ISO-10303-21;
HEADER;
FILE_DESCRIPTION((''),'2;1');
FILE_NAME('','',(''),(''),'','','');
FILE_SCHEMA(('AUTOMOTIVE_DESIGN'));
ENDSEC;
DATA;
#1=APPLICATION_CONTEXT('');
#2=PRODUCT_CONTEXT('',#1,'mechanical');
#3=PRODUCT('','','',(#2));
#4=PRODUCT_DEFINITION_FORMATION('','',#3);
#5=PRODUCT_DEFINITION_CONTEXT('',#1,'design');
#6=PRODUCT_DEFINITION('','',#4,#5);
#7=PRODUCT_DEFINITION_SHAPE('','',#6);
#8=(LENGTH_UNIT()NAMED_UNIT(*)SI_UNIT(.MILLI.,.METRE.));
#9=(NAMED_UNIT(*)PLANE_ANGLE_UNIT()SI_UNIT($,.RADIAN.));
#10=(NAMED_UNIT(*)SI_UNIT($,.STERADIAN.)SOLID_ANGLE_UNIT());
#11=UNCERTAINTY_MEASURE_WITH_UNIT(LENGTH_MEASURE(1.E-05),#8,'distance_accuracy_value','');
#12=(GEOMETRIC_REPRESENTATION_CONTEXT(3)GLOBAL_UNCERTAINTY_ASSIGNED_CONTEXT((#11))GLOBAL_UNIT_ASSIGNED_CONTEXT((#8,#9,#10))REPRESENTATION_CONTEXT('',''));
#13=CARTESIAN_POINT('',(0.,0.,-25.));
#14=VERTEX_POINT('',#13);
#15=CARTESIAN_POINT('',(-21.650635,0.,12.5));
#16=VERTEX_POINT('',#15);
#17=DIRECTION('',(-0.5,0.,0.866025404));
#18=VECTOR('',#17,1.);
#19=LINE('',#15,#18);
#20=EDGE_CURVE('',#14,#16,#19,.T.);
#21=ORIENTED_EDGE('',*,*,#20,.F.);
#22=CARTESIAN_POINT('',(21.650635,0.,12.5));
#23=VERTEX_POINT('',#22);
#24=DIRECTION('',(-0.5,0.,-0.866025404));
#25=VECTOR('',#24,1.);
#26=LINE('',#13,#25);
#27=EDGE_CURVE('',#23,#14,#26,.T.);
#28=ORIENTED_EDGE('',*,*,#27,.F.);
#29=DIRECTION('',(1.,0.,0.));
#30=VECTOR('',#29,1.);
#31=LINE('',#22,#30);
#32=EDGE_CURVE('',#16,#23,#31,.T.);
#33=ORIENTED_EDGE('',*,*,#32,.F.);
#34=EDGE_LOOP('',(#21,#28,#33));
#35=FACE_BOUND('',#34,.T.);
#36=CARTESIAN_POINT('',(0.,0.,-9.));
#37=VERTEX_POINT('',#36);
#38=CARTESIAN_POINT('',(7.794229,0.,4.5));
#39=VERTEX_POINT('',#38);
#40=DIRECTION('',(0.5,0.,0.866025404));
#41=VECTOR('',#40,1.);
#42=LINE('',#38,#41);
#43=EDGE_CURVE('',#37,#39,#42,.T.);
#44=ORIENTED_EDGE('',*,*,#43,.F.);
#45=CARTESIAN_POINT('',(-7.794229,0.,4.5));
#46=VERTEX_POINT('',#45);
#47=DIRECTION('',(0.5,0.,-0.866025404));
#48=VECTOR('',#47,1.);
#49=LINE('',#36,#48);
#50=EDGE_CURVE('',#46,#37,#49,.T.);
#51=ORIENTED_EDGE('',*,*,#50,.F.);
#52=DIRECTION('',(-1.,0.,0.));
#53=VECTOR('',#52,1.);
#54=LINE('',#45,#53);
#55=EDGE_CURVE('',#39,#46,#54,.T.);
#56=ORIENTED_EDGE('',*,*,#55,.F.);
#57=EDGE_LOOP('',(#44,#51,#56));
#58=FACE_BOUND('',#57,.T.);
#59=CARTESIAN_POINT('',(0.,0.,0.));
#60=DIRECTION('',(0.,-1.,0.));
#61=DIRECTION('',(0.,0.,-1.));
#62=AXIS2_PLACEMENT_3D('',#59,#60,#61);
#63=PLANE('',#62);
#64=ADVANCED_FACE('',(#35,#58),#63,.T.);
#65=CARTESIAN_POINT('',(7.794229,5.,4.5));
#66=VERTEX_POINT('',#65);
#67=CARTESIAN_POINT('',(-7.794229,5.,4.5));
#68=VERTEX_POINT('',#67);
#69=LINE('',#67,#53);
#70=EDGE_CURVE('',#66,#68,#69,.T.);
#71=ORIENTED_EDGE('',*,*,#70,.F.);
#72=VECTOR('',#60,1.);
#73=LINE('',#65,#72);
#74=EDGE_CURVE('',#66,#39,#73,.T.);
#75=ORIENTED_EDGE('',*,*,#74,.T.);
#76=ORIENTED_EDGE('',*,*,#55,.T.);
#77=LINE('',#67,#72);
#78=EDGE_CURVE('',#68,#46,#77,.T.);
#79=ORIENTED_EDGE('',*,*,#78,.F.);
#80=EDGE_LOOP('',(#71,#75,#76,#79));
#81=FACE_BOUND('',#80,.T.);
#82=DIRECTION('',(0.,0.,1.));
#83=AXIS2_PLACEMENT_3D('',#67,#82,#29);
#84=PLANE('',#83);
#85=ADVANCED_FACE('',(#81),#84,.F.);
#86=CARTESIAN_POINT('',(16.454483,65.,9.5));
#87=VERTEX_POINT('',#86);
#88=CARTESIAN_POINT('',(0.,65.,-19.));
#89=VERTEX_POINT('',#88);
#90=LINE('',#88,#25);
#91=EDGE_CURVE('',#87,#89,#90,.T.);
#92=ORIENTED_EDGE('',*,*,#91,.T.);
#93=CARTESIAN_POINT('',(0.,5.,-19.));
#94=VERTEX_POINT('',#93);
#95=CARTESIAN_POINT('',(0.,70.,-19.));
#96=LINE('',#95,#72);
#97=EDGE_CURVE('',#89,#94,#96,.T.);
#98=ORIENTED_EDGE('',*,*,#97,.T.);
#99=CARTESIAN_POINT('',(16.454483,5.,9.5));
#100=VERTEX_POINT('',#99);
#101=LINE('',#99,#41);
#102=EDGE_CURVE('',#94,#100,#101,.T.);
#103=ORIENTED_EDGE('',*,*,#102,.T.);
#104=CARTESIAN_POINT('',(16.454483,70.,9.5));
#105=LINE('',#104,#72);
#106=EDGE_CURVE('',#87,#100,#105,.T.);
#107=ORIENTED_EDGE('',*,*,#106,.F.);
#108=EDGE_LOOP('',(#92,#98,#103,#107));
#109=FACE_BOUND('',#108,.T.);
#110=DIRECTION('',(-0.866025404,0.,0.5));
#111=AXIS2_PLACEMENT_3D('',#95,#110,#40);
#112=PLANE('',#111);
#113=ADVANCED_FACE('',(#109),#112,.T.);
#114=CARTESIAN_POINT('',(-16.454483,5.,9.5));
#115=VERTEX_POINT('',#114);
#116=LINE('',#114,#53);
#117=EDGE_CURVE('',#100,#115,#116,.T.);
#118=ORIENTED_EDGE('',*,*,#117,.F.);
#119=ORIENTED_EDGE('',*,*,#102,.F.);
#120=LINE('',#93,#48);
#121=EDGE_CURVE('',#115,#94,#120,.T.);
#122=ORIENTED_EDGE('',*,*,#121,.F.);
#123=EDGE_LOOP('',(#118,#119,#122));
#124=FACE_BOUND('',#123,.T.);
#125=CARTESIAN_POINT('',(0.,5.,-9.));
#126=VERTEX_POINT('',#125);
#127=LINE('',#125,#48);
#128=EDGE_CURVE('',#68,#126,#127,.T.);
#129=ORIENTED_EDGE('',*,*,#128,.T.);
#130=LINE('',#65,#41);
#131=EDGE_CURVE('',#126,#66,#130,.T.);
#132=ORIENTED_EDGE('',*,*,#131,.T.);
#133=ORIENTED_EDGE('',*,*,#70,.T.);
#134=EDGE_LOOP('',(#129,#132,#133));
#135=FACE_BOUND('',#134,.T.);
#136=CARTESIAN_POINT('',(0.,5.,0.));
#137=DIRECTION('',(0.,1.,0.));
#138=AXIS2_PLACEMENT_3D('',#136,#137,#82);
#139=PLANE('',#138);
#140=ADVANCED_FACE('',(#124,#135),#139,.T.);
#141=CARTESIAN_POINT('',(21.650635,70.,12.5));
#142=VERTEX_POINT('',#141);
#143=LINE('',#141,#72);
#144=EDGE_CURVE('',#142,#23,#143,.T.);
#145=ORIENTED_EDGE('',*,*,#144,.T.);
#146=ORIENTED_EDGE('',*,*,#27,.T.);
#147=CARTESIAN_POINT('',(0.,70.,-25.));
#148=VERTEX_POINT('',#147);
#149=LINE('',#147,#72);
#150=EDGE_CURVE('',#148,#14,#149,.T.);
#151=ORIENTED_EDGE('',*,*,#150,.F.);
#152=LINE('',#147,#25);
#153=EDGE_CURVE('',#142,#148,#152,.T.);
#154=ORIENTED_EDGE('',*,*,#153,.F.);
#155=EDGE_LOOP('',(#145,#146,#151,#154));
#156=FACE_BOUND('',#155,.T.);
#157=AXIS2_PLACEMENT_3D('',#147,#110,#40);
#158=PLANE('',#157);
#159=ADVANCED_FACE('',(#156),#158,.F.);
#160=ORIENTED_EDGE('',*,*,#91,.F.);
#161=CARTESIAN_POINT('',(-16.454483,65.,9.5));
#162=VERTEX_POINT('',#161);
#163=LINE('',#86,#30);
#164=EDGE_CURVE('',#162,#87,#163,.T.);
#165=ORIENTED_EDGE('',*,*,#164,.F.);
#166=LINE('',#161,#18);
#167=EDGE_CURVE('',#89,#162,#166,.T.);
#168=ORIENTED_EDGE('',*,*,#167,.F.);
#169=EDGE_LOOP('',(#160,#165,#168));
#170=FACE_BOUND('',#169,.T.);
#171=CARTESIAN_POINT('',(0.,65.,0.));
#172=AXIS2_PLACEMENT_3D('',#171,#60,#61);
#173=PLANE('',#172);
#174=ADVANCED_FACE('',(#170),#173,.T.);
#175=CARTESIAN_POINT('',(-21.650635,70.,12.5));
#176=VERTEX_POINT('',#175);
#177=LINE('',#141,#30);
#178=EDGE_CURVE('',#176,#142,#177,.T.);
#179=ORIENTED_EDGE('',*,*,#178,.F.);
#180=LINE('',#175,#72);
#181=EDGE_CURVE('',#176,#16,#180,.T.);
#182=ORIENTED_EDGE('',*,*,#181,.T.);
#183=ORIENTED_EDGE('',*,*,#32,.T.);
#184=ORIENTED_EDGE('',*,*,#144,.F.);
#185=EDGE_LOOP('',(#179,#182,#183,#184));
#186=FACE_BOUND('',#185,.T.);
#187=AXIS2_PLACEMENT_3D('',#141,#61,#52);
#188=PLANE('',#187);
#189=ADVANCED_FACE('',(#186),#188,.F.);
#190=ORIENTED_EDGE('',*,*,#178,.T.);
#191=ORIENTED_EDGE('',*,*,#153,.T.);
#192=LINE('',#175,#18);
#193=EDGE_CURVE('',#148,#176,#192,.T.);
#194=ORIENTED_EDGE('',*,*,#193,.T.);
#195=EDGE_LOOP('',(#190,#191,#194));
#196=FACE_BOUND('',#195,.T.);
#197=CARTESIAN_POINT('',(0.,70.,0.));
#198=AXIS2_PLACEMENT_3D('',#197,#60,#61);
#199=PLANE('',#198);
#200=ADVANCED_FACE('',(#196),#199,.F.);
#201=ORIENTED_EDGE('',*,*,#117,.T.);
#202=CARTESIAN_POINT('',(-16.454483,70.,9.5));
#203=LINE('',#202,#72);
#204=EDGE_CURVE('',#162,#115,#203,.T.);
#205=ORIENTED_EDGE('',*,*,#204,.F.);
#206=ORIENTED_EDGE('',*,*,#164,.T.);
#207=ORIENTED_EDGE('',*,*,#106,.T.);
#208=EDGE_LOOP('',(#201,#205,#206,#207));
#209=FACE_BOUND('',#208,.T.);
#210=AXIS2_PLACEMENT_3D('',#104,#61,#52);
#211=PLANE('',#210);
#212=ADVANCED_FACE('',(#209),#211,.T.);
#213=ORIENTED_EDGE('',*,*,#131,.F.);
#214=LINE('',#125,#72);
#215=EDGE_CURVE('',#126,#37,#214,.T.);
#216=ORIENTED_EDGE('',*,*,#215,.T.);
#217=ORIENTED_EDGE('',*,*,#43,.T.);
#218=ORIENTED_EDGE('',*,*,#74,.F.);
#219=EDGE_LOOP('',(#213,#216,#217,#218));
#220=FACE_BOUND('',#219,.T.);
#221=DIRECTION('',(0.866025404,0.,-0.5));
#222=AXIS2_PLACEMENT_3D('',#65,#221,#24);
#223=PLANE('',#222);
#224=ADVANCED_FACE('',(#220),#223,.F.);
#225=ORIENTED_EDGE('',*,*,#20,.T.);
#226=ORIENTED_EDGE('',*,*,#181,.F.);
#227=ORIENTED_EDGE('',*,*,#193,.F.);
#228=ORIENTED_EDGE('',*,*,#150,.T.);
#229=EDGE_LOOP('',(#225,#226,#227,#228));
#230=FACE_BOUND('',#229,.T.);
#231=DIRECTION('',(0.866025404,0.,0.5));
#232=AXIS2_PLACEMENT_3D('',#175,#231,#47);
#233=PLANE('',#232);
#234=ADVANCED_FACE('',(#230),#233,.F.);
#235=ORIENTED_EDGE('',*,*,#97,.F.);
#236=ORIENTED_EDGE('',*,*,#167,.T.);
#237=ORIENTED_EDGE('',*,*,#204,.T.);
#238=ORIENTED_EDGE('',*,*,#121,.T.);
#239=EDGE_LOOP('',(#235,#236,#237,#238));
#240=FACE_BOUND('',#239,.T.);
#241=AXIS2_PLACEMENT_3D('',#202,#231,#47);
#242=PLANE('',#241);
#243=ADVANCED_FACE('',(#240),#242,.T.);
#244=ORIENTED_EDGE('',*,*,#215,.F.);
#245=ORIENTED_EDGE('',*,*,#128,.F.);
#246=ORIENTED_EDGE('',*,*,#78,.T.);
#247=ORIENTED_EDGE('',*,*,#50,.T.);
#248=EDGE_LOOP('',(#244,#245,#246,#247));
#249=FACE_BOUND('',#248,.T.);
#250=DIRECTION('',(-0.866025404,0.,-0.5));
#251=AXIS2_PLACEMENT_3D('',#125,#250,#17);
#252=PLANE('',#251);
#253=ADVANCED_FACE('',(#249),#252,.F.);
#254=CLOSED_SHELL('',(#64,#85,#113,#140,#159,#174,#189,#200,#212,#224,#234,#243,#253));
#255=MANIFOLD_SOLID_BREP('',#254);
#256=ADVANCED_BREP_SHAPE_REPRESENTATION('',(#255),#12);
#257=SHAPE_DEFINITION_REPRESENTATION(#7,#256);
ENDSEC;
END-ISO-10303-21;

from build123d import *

# Parameters (mm, degrees)
EXTRUDE_1_DEPTH = 70
EXTRUDE_2_DEPTH = 5
EXTRUDE_3_DEPTH = 5


with BuildPart() as part:
    # 草图1 → 凸台-拉伸1 (new body)
    with BuildSketch(Plane(origin=(0, 0, 0), x_dir=(1, 0, 0), z_dir=(0, 1, 0))):
        Polygon((0, 25), (21.650635095, -12.5), (-21.650635095, -12.5), align=None)
        Polygon((-16.454482672, -9.5), (0, 19), (16.454482672, -9.5), align=None, mode=Mode.SUBTRACT)
    extrude(amount=EXTRUDE_1_DEPTH)

    # 草图2 → 凸台-拉伸2 (add)
    with BuildSketch(Plane(origin=(0, 70, 0), x_dir=(1, 0, 0), z_dir=(0, 1, 0))):
        Polygon((0, 19), (16.454482672, -9.5), (-16.454482672, -9.5), align=None)
    extrude(amount=-EXTRUDE_2_DEPTH)

    # 草图3 → 凸台-拉伸3 (add)
    with BuildSketch(Plane.XZ):
        Polygon((-16.454482672, 9.5), (16.454482672, 9.5), (0, -19), align=None)
        Polygon((0, -9), (-7.794228634, 4.5), (7.794228634, 4.5), align=None, mode=Mode.SUBTRACT)
    extrude(amount=-EXTRUDE_3_DEPTH)


solid = part.part
